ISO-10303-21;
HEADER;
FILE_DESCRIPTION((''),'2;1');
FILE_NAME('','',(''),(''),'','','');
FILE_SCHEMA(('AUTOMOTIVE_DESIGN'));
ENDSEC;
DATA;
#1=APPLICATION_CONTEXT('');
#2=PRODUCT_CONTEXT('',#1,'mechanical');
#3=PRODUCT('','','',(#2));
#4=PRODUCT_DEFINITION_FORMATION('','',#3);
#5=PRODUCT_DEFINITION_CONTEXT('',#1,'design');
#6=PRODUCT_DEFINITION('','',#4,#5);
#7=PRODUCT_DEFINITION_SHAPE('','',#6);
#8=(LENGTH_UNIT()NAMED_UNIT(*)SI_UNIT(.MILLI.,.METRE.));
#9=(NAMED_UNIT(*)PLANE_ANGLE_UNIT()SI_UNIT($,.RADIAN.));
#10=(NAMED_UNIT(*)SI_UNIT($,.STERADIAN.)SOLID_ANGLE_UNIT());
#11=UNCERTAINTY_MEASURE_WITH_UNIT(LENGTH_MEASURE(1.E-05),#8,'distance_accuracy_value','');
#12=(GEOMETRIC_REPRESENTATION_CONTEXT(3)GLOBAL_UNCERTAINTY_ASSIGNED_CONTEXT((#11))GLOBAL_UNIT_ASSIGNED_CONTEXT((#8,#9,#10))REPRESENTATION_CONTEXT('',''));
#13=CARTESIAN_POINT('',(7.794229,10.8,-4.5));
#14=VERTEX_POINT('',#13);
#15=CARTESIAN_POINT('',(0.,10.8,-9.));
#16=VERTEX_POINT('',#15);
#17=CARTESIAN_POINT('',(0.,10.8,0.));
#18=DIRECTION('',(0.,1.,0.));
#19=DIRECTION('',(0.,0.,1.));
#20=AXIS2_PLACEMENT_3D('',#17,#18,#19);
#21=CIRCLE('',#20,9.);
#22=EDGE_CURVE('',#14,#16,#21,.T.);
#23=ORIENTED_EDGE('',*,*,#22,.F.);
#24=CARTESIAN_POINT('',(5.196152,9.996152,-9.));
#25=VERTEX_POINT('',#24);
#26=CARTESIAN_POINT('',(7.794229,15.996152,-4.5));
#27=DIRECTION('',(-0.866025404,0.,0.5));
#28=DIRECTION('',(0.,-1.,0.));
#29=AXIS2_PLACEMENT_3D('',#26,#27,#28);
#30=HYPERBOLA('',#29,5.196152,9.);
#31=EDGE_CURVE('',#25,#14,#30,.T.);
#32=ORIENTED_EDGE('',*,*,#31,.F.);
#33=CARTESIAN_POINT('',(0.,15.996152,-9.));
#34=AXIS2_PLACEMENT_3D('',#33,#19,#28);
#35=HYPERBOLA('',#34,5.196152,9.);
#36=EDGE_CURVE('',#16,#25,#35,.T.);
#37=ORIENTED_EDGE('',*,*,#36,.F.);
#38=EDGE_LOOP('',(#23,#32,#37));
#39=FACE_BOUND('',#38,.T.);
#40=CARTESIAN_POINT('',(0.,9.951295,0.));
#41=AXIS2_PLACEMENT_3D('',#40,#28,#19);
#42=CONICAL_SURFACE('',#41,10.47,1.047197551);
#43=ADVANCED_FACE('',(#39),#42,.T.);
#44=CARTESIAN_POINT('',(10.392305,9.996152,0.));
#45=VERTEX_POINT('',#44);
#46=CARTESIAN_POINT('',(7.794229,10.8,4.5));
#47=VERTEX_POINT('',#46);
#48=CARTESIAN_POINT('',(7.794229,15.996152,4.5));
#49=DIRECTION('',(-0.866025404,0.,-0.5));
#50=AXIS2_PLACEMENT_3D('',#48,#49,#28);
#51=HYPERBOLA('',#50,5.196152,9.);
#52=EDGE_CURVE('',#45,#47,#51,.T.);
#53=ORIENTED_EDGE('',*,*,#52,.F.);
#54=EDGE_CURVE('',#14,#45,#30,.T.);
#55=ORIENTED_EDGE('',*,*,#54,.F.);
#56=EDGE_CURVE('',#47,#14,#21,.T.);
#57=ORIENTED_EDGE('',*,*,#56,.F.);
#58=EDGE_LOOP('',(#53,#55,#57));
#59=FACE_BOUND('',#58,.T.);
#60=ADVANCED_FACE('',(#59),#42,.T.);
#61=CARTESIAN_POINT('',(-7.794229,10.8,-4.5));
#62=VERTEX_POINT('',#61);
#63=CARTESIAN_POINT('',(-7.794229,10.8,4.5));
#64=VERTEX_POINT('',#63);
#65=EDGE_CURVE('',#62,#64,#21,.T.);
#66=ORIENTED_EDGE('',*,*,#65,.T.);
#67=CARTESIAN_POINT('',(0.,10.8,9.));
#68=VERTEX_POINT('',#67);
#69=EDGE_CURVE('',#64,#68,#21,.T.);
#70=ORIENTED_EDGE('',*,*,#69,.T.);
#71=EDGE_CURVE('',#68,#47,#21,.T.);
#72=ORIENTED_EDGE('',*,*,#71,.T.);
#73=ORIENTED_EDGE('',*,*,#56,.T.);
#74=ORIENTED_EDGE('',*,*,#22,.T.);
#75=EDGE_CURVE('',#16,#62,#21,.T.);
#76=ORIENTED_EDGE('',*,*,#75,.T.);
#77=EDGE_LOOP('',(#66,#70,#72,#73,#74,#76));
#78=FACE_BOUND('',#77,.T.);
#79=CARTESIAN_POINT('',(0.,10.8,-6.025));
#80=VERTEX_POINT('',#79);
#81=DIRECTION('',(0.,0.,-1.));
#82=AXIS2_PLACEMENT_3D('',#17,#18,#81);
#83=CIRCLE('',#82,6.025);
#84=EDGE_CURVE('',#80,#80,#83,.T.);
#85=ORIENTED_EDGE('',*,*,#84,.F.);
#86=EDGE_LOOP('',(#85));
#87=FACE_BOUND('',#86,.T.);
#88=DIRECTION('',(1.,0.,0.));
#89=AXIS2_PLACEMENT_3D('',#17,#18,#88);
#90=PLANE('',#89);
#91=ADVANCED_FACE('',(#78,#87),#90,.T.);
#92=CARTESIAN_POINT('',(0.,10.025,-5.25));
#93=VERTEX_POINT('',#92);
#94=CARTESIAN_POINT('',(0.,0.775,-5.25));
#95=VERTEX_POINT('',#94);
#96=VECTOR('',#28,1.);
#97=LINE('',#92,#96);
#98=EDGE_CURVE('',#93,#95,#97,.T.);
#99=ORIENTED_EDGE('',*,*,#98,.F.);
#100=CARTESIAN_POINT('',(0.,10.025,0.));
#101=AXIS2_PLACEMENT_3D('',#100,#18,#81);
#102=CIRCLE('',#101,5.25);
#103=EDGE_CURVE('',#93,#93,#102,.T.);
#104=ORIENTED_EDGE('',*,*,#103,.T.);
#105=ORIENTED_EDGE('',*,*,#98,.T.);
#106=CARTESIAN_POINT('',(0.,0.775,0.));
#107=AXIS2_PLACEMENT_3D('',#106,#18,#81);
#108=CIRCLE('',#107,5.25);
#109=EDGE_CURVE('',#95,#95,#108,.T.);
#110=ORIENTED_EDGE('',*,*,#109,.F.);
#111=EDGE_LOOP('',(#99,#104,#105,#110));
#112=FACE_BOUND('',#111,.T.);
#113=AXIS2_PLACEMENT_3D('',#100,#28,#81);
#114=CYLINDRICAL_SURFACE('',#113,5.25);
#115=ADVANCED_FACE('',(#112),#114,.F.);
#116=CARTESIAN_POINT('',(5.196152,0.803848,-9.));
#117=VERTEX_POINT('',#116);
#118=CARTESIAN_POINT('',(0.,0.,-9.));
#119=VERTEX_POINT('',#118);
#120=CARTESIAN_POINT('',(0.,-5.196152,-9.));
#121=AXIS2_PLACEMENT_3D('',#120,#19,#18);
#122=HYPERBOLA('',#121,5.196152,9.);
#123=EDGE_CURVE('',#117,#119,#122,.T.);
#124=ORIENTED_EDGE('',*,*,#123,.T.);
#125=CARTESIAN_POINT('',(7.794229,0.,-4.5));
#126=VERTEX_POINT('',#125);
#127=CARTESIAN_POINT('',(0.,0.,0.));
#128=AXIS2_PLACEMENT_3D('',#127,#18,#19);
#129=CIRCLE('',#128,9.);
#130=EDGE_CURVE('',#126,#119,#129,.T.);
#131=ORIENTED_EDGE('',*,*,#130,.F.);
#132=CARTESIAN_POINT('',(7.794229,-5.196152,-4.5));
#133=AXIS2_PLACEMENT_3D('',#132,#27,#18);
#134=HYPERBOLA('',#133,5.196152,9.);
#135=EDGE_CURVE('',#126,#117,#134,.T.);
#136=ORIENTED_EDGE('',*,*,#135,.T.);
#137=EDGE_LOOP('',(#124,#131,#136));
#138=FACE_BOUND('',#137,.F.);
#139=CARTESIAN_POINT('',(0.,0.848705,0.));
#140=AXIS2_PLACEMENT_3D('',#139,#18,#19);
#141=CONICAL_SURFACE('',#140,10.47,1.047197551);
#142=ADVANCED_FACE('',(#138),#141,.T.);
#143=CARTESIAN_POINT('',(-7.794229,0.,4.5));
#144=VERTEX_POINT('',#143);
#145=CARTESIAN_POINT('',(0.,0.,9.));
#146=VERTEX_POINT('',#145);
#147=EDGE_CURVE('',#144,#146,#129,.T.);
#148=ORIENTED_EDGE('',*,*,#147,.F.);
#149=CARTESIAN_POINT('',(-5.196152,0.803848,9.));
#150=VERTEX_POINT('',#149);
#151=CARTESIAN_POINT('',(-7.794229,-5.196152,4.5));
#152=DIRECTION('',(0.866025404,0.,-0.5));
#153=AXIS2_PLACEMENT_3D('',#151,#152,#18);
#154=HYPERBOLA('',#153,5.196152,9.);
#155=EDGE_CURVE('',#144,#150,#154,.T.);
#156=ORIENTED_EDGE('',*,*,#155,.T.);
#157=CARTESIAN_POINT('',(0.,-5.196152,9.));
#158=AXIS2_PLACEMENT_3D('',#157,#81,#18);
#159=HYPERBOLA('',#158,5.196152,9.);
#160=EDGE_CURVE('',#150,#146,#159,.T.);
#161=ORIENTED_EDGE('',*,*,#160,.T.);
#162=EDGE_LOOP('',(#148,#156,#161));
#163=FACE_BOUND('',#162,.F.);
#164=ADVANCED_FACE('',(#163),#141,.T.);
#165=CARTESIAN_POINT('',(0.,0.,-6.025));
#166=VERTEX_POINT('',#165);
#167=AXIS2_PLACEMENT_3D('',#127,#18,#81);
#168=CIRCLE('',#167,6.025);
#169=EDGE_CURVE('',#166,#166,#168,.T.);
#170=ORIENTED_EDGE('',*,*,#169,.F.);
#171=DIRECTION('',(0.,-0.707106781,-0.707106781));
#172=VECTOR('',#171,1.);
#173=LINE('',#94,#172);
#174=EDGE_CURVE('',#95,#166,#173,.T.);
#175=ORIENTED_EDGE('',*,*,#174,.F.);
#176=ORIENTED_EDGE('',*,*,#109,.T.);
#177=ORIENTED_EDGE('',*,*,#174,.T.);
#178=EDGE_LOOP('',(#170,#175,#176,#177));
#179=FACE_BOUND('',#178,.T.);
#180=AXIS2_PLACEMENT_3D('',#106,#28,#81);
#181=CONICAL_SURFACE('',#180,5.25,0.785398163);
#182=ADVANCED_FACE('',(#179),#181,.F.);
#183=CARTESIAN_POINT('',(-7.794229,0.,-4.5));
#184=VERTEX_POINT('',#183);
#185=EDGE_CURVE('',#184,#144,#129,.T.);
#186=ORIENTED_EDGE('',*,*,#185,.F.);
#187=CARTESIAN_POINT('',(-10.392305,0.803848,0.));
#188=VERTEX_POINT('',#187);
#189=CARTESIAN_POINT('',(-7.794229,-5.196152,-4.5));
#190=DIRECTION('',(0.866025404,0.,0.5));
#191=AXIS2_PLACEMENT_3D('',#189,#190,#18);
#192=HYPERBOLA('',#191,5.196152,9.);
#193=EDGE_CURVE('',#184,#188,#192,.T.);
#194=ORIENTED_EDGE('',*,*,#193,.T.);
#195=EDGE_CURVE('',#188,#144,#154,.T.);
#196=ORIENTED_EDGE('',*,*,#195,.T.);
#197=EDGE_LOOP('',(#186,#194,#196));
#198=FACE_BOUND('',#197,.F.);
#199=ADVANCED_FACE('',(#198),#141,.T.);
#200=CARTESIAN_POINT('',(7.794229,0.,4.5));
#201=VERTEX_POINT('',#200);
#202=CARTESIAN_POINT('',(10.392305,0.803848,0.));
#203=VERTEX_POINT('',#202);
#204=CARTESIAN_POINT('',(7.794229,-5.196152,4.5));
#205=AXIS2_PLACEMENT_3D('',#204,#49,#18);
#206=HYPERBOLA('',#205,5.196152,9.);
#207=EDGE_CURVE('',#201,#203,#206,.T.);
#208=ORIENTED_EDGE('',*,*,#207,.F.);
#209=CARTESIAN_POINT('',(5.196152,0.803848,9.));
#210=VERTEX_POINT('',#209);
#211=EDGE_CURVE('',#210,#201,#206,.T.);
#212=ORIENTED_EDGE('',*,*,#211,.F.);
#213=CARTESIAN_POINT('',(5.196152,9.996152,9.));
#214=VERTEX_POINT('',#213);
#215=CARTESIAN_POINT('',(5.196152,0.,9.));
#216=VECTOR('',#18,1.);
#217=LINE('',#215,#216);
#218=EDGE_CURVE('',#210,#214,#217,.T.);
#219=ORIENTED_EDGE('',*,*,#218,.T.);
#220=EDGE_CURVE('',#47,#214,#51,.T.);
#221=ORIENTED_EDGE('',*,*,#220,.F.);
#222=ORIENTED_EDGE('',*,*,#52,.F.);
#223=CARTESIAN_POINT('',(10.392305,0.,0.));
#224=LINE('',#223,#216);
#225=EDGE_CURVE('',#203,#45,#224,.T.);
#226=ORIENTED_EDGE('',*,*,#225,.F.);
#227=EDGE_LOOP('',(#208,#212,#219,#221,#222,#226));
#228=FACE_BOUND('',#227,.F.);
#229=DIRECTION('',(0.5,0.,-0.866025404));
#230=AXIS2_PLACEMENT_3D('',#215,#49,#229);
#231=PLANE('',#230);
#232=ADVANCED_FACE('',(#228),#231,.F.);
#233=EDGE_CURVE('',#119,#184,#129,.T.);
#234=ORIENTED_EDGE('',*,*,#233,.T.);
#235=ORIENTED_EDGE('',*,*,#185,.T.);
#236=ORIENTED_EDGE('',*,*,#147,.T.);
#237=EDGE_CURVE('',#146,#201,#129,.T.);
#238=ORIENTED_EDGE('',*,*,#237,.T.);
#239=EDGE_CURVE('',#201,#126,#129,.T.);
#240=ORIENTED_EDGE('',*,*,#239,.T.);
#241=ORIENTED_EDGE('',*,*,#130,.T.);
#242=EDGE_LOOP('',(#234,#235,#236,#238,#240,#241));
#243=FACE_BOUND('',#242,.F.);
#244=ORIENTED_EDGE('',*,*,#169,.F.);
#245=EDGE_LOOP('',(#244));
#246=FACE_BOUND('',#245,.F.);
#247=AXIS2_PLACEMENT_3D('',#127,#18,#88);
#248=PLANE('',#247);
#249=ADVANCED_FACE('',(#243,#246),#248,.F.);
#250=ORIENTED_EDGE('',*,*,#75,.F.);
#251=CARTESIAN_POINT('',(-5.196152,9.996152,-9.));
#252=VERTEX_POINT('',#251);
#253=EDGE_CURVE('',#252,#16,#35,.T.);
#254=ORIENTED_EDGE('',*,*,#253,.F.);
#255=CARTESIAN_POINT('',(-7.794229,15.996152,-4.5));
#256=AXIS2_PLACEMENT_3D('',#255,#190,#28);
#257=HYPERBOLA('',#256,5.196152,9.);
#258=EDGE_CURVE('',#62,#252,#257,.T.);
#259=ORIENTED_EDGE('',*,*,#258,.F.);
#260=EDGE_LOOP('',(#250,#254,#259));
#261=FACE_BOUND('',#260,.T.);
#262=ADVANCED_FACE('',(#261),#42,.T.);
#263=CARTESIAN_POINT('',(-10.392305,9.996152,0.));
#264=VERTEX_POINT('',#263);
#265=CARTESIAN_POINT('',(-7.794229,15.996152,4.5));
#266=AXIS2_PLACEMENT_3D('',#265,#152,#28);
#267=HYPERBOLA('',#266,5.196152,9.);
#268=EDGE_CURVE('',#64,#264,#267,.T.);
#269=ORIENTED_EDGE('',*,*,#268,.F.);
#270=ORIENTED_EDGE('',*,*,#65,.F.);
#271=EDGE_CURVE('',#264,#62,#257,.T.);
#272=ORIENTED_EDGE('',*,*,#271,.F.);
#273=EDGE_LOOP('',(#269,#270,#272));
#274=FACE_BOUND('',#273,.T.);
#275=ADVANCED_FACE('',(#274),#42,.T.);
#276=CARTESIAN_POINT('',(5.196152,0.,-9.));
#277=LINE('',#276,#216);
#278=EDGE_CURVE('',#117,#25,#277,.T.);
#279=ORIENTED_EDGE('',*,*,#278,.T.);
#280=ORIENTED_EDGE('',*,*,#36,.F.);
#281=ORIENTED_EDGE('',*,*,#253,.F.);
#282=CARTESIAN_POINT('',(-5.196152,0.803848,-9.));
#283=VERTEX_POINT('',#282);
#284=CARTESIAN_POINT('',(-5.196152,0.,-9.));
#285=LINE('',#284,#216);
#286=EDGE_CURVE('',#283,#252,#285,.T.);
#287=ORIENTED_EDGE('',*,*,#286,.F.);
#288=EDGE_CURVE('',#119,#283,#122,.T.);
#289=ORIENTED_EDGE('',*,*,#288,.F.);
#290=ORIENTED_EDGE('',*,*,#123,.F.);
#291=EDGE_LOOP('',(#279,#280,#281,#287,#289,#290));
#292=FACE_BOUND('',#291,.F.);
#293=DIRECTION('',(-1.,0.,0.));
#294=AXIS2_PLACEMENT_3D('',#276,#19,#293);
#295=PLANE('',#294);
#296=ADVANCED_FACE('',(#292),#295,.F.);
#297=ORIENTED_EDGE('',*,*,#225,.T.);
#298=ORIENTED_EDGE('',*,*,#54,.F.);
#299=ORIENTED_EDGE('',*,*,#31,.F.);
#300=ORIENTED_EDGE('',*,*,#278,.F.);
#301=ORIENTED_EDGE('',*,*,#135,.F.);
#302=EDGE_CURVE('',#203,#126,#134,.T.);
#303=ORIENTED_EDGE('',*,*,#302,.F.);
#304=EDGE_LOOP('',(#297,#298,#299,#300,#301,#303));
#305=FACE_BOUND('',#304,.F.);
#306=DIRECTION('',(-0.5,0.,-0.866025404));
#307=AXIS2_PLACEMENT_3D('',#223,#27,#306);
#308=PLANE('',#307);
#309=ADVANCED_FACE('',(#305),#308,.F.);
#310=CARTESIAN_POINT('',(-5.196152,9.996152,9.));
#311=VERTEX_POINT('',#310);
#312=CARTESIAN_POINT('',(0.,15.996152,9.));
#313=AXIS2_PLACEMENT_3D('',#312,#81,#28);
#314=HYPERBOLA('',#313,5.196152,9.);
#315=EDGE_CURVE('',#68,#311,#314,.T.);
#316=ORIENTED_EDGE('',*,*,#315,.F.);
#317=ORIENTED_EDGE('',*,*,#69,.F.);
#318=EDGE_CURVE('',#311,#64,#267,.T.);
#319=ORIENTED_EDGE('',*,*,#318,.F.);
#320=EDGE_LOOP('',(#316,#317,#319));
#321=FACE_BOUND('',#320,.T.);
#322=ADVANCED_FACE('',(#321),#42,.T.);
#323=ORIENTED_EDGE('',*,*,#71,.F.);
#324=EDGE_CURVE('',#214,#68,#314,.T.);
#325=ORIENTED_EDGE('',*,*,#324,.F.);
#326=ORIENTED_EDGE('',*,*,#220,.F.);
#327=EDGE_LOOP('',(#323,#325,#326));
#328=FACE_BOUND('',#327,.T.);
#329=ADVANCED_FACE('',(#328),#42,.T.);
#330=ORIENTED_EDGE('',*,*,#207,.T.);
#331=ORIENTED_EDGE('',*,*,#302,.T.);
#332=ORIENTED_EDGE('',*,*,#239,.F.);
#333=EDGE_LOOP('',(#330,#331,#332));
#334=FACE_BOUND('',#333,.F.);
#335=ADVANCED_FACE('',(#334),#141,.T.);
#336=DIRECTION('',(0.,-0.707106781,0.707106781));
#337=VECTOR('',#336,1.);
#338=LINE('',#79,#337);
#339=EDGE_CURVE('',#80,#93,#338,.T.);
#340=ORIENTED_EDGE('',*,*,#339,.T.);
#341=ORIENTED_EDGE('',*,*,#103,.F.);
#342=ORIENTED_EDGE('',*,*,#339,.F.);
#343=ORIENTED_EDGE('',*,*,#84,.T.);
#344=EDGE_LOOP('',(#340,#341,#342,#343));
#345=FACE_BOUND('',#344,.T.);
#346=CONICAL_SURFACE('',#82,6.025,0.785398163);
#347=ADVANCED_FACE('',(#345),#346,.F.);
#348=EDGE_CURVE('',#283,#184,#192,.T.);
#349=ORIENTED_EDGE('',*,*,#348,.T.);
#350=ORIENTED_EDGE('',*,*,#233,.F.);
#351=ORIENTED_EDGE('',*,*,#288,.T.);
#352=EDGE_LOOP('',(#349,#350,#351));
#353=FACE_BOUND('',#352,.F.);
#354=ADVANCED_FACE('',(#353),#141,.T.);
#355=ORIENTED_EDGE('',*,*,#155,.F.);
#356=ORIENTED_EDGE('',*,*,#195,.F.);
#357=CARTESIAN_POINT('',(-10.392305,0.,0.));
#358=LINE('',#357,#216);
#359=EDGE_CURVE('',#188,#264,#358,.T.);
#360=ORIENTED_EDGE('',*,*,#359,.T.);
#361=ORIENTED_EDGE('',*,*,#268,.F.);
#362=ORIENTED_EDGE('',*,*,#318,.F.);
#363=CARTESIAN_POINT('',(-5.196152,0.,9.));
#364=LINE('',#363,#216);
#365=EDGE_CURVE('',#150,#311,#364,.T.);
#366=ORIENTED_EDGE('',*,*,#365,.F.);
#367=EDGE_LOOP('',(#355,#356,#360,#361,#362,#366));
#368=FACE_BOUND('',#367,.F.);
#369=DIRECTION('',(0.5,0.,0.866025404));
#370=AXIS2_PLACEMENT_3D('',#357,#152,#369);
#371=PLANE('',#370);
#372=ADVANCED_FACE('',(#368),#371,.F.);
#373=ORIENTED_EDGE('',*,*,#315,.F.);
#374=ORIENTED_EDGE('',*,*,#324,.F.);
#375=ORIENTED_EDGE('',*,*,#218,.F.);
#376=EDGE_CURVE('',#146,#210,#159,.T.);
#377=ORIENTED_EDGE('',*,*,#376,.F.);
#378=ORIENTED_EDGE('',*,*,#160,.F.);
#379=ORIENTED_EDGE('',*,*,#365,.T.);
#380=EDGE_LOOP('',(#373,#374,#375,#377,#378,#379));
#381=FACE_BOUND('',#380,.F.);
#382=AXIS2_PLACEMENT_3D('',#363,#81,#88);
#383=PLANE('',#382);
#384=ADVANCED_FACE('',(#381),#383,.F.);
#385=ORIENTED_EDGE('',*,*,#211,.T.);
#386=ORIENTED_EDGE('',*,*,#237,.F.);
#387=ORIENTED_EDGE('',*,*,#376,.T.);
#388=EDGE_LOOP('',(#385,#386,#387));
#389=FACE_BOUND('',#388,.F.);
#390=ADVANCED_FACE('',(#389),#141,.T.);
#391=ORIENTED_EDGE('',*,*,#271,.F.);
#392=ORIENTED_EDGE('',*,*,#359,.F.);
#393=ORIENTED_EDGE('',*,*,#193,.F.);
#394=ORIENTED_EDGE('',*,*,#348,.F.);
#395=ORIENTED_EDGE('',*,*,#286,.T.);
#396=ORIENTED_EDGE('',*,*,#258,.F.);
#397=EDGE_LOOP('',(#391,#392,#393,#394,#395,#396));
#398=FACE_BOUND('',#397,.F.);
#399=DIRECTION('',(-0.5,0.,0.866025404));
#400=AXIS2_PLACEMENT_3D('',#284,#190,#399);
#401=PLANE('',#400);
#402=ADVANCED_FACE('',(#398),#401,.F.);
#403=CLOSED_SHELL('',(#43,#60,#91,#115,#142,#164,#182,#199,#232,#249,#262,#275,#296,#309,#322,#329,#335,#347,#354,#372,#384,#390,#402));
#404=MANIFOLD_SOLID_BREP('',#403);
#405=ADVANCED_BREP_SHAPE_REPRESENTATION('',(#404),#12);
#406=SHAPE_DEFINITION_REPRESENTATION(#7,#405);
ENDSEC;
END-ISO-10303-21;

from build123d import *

# Parameters (mm, degrees)
EXTRUDE_1_DEPTH = 10.8


with BuildPart() as part:
    # Эскиз1 → Бобышка-Вытянуть1 (new body)
    with BuildSketch(Plane(origin=(0, 0, 0), x_dir=(1, 0, 0), z_dir=(0, 1, 0))):
        Polygon((-5.196152423, 9), (-10.392304845, 0), (-5.196152423, -9), (5.196152423, -9), (10.392304845, 0), (5.196152423, 9), align=None)
    extrude(amount=EXTRUDE_1_DEPTH)

    # Эскиз2 → Вырез-Повернуть1 (revolve, cut)
    with BuildSketch(Plane(origin=(0, 0, 0), x_dir=(0, 0, -1), z_dir=(1, 0, 0))):
        Polygon((-9, 10.8), (-10.47, 10.8), (-10.47, 9.951295104), align=None)
        Polygon((-9, 0), (-10.47, 0), (-10.47, 0.848704896), align=None)
    revolve(axis=Axis((0, -1000, 0), (0, 1, 0)), mode=Mode.SUBTRACT)

    # Эскиз3 → Отверстие обработанное метчиком M12x1.51 (revolve, cut)
    with BuildSketch(Plane(origin=(0, 0, 0), x_dir=(0, 0, -1), z_dir=(1, 0, 0))):
        Polygon((0, 0), (0, 10.8), (6.025, 10.8), (5.25, 10.025), (5.25, 0.775), (6.025, 0), align=None)
    revolve(axis=Axis((0, -6.35, 0), (0, 1, 0)), mode=Mode.SUBTRACT)


solid = part.part
